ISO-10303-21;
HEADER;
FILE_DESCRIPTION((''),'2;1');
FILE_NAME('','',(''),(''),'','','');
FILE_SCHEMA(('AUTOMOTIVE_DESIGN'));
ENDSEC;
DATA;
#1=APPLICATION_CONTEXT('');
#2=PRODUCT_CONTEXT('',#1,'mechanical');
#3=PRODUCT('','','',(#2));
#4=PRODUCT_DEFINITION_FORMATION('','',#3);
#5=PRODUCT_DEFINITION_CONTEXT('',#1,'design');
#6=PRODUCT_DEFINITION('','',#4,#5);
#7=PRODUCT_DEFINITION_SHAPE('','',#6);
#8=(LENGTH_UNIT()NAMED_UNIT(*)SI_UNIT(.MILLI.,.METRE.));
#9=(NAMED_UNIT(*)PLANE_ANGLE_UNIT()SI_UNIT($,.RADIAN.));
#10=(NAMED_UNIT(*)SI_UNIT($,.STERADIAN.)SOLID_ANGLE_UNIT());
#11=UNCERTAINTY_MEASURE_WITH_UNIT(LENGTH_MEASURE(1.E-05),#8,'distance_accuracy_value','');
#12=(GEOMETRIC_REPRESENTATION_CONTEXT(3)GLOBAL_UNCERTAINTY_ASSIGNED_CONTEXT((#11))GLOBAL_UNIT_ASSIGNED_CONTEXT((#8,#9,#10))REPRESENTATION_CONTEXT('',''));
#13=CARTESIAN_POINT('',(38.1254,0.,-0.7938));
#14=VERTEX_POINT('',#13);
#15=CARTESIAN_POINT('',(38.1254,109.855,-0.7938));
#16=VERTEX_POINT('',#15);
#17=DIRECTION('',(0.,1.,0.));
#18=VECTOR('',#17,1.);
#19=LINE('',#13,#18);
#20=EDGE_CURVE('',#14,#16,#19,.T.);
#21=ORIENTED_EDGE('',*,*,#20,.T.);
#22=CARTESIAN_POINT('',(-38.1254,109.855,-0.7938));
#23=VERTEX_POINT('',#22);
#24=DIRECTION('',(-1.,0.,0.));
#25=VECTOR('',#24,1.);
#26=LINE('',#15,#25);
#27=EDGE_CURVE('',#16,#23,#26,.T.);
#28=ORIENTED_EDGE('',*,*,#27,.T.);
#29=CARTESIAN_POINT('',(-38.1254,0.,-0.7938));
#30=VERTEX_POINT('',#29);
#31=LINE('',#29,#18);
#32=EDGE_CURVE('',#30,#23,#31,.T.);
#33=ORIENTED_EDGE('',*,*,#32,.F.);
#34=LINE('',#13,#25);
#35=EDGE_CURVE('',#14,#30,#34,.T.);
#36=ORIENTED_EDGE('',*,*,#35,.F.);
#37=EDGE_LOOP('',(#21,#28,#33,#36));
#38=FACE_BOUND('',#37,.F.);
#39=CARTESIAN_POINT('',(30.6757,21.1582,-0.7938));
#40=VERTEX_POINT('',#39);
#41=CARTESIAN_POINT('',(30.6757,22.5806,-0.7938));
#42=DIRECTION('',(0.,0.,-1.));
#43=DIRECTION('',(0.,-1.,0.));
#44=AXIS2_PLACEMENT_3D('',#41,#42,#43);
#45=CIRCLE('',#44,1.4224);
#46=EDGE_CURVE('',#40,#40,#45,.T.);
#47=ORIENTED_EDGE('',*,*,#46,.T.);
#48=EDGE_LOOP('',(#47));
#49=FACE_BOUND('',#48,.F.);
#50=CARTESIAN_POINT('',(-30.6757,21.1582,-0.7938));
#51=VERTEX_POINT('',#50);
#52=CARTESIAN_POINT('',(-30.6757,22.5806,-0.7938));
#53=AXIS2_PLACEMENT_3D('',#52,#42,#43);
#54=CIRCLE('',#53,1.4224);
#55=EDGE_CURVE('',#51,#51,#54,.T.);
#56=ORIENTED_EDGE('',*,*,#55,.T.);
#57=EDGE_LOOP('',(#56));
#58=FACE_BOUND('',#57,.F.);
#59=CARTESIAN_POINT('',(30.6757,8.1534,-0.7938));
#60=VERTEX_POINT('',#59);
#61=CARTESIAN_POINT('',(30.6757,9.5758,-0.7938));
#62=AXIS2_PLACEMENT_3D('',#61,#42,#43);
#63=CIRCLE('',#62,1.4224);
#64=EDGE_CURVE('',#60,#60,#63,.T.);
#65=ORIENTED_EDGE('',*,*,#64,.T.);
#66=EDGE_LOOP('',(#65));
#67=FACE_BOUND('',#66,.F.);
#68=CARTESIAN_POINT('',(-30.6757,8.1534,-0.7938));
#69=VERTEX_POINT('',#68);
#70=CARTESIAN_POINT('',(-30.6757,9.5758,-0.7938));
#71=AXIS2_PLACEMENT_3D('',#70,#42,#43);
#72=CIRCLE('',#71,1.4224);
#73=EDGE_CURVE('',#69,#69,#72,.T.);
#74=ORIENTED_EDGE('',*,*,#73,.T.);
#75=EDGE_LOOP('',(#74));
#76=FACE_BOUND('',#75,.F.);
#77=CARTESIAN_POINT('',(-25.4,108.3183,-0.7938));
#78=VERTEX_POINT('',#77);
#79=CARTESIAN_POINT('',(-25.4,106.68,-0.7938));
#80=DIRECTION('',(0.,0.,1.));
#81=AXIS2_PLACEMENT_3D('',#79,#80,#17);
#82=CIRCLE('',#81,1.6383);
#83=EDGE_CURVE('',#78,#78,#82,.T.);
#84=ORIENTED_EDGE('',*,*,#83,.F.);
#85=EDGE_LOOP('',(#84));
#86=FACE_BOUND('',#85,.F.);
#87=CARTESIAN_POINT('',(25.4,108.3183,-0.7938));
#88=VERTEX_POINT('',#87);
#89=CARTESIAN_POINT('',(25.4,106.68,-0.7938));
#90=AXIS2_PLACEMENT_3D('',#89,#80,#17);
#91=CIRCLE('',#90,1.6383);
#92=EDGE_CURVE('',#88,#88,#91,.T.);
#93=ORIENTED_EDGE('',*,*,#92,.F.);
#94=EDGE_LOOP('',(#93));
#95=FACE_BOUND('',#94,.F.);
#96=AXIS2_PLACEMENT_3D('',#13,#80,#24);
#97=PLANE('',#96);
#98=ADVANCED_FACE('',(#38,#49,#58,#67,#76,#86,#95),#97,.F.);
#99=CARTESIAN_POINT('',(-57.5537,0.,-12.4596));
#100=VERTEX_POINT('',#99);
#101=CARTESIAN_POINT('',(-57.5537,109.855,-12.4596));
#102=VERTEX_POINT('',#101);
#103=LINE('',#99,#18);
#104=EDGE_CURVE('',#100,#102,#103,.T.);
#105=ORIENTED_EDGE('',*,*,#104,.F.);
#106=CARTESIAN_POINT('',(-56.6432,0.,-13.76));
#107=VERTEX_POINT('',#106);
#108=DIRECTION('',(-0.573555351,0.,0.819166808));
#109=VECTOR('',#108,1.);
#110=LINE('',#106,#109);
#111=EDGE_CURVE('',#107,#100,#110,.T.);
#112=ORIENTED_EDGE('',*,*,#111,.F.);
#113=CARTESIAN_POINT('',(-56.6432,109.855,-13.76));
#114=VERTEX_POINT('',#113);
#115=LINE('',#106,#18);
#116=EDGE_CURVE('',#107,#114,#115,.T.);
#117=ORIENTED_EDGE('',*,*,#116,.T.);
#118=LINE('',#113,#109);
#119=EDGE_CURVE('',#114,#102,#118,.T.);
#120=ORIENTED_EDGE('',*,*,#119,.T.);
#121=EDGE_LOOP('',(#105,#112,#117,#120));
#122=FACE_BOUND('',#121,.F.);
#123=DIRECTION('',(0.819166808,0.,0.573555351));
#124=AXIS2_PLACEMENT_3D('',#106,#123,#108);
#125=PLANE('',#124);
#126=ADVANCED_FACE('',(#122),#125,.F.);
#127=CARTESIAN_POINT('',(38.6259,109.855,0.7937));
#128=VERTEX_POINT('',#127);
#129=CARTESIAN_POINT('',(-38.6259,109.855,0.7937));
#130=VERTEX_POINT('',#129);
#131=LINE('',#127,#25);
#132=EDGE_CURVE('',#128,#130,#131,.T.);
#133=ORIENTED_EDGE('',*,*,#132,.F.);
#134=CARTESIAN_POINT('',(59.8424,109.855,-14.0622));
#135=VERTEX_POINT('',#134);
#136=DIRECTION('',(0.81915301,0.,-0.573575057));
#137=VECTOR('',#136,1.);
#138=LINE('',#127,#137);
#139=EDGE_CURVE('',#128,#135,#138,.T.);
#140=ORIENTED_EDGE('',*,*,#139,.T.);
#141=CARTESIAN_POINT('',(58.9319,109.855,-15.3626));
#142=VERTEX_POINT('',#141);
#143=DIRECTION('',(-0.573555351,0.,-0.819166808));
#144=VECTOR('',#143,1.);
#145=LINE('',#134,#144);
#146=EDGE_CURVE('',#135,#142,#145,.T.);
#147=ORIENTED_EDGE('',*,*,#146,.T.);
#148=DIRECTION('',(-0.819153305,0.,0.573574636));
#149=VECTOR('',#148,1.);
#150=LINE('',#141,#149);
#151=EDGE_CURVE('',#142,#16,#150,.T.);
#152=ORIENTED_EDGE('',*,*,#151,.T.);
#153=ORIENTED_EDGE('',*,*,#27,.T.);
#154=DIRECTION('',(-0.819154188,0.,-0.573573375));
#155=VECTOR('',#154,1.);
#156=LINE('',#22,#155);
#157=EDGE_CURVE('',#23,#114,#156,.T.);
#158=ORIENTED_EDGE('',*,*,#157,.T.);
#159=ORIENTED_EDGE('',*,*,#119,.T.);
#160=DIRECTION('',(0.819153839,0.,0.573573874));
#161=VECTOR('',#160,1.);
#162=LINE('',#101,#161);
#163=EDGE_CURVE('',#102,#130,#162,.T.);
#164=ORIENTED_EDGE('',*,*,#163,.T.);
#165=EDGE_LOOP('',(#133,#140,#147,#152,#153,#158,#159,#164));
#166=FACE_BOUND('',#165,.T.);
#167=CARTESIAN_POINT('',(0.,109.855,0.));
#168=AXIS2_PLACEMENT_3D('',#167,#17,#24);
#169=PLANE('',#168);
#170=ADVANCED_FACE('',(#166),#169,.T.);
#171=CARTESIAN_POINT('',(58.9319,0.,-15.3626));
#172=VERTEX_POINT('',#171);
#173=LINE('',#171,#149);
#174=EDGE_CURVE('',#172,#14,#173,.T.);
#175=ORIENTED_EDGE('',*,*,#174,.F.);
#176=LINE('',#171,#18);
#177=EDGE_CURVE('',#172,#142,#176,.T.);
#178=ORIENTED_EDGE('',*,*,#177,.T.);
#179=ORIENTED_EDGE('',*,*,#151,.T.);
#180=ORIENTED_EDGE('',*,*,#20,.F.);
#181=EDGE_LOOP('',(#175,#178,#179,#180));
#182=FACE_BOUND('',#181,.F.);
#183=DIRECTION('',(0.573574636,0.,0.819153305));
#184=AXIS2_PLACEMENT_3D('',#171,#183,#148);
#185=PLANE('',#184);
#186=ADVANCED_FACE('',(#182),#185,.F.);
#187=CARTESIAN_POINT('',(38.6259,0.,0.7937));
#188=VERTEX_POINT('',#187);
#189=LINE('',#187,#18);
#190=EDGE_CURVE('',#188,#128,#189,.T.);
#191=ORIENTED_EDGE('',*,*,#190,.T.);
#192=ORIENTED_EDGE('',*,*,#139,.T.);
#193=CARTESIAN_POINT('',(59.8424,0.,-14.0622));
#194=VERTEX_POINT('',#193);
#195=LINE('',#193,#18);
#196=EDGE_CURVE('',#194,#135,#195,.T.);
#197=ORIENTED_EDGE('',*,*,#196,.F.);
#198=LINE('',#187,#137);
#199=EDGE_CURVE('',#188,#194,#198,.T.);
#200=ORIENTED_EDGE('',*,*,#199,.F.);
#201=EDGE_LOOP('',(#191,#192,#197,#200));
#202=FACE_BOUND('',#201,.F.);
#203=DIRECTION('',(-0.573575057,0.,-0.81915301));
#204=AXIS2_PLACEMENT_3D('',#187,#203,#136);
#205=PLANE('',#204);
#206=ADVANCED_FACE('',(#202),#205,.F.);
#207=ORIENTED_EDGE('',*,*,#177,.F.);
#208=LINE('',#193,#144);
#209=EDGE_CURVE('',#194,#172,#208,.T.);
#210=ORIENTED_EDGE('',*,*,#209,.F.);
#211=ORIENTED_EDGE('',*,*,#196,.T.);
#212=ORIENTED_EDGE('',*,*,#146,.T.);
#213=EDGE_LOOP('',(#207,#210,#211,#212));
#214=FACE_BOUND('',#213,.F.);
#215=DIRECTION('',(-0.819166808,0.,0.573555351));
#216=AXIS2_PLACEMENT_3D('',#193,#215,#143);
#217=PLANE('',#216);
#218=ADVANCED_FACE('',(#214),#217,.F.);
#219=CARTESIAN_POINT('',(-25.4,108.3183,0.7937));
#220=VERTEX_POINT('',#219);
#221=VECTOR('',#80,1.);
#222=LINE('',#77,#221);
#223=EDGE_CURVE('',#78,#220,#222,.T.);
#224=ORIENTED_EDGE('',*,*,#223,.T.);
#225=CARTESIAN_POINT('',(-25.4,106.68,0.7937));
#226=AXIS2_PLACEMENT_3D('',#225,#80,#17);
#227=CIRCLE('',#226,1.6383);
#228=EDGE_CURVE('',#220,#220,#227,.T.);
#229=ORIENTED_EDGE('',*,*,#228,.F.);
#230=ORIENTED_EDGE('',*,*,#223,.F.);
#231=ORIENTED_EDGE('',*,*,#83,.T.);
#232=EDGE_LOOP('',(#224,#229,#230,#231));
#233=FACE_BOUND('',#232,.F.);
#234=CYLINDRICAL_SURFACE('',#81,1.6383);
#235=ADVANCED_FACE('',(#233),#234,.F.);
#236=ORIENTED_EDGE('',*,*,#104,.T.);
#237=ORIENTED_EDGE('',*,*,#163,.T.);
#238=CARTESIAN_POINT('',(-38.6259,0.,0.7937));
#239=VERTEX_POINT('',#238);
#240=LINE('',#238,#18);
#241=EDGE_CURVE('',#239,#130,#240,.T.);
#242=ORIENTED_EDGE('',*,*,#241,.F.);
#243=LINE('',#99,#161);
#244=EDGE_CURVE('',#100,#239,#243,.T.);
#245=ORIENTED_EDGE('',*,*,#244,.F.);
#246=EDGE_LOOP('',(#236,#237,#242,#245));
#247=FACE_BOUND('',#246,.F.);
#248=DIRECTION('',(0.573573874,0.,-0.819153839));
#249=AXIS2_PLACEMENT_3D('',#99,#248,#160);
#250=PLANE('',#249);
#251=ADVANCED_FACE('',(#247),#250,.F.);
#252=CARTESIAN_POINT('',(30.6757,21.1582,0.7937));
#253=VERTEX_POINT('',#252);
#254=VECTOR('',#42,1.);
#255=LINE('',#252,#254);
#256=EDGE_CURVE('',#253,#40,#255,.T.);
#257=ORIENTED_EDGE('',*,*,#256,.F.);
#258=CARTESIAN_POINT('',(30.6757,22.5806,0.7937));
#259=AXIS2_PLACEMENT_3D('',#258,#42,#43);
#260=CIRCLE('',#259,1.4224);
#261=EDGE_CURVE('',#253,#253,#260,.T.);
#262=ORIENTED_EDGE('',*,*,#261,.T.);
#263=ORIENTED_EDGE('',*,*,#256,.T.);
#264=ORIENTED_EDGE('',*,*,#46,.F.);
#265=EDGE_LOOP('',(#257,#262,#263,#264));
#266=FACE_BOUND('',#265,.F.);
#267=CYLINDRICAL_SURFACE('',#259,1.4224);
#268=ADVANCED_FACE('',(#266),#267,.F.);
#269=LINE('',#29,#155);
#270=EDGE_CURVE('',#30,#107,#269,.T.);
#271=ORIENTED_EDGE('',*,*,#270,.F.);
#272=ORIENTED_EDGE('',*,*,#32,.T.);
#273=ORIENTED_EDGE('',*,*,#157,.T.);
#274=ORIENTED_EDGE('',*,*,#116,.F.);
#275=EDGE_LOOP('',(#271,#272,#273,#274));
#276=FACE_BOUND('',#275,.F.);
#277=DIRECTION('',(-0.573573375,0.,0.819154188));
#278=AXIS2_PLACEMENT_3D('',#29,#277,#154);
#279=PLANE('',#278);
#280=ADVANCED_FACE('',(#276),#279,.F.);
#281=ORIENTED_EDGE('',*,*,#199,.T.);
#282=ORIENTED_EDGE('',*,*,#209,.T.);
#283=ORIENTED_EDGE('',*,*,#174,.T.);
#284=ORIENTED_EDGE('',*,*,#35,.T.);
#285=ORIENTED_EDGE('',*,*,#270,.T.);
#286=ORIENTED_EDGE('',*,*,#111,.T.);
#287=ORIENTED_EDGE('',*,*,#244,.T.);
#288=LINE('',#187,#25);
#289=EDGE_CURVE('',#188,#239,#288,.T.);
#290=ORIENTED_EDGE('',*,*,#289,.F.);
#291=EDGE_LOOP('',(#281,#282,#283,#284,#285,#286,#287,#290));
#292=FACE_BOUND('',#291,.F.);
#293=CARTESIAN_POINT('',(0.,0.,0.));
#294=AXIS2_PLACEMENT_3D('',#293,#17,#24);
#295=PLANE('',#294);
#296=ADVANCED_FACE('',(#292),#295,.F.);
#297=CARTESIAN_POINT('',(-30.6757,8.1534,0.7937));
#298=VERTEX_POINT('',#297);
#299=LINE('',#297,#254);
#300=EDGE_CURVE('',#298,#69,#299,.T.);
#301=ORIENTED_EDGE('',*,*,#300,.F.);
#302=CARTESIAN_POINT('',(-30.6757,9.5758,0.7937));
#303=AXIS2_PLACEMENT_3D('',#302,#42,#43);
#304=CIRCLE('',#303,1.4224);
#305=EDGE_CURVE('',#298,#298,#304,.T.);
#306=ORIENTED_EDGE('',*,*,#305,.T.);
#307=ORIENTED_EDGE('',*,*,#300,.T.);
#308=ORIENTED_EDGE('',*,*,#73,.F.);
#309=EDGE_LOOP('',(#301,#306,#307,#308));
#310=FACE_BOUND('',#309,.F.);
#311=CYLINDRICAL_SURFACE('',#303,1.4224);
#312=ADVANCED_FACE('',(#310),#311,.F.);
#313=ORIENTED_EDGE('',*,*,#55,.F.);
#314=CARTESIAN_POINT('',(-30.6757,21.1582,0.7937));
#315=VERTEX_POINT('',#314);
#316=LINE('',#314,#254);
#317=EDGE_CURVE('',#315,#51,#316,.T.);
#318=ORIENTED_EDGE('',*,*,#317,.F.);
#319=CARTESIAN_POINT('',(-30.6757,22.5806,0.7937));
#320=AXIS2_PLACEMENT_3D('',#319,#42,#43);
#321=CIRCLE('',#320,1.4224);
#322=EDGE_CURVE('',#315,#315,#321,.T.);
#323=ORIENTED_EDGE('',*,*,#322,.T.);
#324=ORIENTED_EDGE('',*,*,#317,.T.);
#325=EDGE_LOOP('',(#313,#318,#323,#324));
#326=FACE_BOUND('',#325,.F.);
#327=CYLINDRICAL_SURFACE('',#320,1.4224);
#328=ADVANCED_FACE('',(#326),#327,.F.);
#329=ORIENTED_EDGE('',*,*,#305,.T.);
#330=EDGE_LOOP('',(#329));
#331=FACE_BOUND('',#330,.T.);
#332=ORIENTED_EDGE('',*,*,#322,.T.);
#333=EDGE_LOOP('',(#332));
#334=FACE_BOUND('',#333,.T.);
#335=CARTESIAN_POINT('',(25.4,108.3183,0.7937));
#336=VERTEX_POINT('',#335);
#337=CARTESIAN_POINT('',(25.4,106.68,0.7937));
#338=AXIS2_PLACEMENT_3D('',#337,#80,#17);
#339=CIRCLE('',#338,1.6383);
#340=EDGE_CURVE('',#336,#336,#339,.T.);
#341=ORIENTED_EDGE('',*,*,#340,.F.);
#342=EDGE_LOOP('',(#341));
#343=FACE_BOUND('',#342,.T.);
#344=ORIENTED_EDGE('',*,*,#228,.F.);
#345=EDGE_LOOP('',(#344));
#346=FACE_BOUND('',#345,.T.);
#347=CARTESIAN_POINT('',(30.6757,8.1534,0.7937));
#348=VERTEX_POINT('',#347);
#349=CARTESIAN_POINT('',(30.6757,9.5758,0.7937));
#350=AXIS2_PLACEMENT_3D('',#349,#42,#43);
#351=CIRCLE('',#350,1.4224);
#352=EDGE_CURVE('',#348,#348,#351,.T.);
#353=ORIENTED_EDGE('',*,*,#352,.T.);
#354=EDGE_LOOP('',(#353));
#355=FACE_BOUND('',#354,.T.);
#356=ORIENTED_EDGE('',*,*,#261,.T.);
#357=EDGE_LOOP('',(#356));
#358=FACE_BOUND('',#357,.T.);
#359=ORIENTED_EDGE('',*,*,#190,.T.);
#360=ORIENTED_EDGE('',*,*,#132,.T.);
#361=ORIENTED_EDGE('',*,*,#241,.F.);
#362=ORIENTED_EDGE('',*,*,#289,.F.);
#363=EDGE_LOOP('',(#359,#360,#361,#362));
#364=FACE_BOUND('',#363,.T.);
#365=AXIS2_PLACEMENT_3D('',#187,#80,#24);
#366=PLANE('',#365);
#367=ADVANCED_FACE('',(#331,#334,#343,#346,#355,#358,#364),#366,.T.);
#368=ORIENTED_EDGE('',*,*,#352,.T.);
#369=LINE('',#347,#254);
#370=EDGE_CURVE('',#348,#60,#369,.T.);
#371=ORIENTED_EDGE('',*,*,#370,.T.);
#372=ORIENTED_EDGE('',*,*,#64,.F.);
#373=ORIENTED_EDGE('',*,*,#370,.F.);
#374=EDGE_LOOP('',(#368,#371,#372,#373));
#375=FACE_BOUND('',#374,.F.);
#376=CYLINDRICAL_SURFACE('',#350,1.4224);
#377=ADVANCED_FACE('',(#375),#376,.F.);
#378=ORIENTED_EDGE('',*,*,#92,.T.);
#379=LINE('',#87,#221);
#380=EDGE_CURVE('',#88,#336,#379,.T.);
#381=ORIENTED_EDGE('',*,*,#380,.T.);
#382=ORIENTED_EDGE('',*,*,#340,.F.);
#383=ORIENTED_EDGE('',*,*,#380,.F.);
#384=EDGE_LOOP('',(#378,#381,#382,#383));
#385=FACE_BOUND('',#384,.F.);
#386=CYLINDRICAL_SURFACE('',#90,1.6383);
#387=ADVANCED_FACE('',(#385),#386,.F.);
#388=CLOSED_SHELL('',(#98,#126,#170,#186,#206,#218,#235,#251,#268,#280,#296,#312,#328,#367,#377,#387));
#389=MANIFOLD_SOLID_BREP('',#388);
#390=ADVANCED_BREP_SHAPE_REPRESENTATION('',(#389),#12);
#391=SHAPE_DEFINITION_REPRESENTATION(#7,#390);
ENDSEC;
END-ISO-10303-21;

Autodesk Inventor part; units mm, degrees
ref_plane "YZ Plane" through (0, 0, 0) normal (1, 0, 0) x (0, 1, 0)
ref_plane "XZ Plane" through (0, 0, 0) normal (0, 1, 0) x (-1, 0, 0)
ref_plane "XY Plane" through (0, 0, 0) normal (0, 0, 1) x (1, 0, 0)
sketch "Sketch1" plane through (0, 0, 0) normal (0, 1, 0) x (-1, 0, 0)
  line L0 (-38.6259, 0.7937) -> (38.6259, 0.7937)
  line L1 (-38.1254, -0.7938) -> (-38.6259, 0.7937) construction
  line L2 (-38.6259, 0.7937) -> (-59.8424, -14.0622)
  line L3 (-59.8424, -14.0622) -> (-58.9319, -15.3626)
  line L4 (-58.9319, -15.3626) -> (-38.1254, -0.7938)
  line L5 (-38.1254, -0.7938) -> (38.1254, -0.7938)
  line L6 (38.1254, -0.7938) -> (56.6432, -13.76)
  line L7 (56.6432, -13.76) -> (57.5537, -12.4596)
  line L8 (57.5537, -12.4596) -> (38.6259, 0.7937)
  point P0 (0, 0)
  dimension "d75" = 1.5875
  dimension "d76" = 1.5875
  dimension "d77" = 1.5875
  dimension "d78" = 145
  dimension "d79" = 76.2508
  dimension "d80" = 38.1254
  dimension "d81" = 0.7937
  dimension "d82" = 145
  dimension "d83" = 22.606
  dimension "d84" = 25.4
extrude "Extrusion1" add sketch "Sketch1" along normal blind 109.855
sketch "Sketch3" plane through (38.1254, 0, -0.7938) normal (0, 0, -1) x (-1, 0, 0)
  line L0 (38.1254, 97.0628) -> (38.1254, 73.759) construction
  line L1 (76.2508, 0) -> (76.2508, 109.855) construction
  line L2 (0, 0) -> (0, 109.855) construction
  line L3 (76.7513, 109.855) -> (-0.5005, 109.855) construction
  point P0 (38.1254, 0)
  point P1 (12.7254, 106.68)
  point P2 (63.5254, 106.68)
  dimension "d85" = 76.2508
  dimension "d86" = 38.1254
  dimension "d87" = 25.4
  dimension "d88" = 3.175
  dimension "d93" = 50.8
hole "Hole1" at (25.4, 106.68, -0.7938) at (-25.4, 106.68, -0.7938) direction (0, 0, 1) diameter 3.2766 end through all clearance for "Hex Machine Screw" size "#4" standard "Ansi Unified Screw Threads"
sketch "Sketch4" plane through (-38.6259, 0, 0.7937) normal (0, 0, 1) x (1, 0, 0)
  line L0 (0, 0) -> (0, 109.855) projected
  line L1 (77.2519, 0) -> (0, 0) projected
  line L2 (77.2519, 0) -> (77.2519, 109.855) projected
  point P0 (38.6259, 0)
  point P1 (69.3017, 9.5758)
  point P2 (7.9502, 22.5806)
  point P3 (7.9502, 9.5758)
  point P4 (69.3017, 22.5806)
  dimension "d112" = 7.9502
  dimension "d113" = 9.5758
  dimension "d114" = 9.5758
  dimension "d115" = 7.9502
  dimension "d116" = 7.9502
  dimension "d117" = 7.9502
  dimension "d118" = 22.5806
  dimension "d119" = 22.5806
hole "Hole3" at (30.6757, 9.5758, 0.7937) at (-30.6757, 22.5806, 0.7937) at (-30.6757, 9.5758, 0.7937) at (30.6757, 22.5806, 0.7937) direction (0, 0, -1) diameter 2.8448 end through all
equation "\"d75\" = d77"
equation "\"d76\" = d77"
equation "\"d80\" = 0.5 * d79"
equation "\"d81\" = 0.5 * d77"
equation "\"d86\" = 0.5 * d85"
equation "\"d87\" = 0.5 * d93"
equation "\"d114\" = d113"
equation "\"d116\" = d112"
equation "\"d117\" = d115"
equation "\"d119\" = d118"
properties part number "solar sheild" material "Aluminum 6061"
